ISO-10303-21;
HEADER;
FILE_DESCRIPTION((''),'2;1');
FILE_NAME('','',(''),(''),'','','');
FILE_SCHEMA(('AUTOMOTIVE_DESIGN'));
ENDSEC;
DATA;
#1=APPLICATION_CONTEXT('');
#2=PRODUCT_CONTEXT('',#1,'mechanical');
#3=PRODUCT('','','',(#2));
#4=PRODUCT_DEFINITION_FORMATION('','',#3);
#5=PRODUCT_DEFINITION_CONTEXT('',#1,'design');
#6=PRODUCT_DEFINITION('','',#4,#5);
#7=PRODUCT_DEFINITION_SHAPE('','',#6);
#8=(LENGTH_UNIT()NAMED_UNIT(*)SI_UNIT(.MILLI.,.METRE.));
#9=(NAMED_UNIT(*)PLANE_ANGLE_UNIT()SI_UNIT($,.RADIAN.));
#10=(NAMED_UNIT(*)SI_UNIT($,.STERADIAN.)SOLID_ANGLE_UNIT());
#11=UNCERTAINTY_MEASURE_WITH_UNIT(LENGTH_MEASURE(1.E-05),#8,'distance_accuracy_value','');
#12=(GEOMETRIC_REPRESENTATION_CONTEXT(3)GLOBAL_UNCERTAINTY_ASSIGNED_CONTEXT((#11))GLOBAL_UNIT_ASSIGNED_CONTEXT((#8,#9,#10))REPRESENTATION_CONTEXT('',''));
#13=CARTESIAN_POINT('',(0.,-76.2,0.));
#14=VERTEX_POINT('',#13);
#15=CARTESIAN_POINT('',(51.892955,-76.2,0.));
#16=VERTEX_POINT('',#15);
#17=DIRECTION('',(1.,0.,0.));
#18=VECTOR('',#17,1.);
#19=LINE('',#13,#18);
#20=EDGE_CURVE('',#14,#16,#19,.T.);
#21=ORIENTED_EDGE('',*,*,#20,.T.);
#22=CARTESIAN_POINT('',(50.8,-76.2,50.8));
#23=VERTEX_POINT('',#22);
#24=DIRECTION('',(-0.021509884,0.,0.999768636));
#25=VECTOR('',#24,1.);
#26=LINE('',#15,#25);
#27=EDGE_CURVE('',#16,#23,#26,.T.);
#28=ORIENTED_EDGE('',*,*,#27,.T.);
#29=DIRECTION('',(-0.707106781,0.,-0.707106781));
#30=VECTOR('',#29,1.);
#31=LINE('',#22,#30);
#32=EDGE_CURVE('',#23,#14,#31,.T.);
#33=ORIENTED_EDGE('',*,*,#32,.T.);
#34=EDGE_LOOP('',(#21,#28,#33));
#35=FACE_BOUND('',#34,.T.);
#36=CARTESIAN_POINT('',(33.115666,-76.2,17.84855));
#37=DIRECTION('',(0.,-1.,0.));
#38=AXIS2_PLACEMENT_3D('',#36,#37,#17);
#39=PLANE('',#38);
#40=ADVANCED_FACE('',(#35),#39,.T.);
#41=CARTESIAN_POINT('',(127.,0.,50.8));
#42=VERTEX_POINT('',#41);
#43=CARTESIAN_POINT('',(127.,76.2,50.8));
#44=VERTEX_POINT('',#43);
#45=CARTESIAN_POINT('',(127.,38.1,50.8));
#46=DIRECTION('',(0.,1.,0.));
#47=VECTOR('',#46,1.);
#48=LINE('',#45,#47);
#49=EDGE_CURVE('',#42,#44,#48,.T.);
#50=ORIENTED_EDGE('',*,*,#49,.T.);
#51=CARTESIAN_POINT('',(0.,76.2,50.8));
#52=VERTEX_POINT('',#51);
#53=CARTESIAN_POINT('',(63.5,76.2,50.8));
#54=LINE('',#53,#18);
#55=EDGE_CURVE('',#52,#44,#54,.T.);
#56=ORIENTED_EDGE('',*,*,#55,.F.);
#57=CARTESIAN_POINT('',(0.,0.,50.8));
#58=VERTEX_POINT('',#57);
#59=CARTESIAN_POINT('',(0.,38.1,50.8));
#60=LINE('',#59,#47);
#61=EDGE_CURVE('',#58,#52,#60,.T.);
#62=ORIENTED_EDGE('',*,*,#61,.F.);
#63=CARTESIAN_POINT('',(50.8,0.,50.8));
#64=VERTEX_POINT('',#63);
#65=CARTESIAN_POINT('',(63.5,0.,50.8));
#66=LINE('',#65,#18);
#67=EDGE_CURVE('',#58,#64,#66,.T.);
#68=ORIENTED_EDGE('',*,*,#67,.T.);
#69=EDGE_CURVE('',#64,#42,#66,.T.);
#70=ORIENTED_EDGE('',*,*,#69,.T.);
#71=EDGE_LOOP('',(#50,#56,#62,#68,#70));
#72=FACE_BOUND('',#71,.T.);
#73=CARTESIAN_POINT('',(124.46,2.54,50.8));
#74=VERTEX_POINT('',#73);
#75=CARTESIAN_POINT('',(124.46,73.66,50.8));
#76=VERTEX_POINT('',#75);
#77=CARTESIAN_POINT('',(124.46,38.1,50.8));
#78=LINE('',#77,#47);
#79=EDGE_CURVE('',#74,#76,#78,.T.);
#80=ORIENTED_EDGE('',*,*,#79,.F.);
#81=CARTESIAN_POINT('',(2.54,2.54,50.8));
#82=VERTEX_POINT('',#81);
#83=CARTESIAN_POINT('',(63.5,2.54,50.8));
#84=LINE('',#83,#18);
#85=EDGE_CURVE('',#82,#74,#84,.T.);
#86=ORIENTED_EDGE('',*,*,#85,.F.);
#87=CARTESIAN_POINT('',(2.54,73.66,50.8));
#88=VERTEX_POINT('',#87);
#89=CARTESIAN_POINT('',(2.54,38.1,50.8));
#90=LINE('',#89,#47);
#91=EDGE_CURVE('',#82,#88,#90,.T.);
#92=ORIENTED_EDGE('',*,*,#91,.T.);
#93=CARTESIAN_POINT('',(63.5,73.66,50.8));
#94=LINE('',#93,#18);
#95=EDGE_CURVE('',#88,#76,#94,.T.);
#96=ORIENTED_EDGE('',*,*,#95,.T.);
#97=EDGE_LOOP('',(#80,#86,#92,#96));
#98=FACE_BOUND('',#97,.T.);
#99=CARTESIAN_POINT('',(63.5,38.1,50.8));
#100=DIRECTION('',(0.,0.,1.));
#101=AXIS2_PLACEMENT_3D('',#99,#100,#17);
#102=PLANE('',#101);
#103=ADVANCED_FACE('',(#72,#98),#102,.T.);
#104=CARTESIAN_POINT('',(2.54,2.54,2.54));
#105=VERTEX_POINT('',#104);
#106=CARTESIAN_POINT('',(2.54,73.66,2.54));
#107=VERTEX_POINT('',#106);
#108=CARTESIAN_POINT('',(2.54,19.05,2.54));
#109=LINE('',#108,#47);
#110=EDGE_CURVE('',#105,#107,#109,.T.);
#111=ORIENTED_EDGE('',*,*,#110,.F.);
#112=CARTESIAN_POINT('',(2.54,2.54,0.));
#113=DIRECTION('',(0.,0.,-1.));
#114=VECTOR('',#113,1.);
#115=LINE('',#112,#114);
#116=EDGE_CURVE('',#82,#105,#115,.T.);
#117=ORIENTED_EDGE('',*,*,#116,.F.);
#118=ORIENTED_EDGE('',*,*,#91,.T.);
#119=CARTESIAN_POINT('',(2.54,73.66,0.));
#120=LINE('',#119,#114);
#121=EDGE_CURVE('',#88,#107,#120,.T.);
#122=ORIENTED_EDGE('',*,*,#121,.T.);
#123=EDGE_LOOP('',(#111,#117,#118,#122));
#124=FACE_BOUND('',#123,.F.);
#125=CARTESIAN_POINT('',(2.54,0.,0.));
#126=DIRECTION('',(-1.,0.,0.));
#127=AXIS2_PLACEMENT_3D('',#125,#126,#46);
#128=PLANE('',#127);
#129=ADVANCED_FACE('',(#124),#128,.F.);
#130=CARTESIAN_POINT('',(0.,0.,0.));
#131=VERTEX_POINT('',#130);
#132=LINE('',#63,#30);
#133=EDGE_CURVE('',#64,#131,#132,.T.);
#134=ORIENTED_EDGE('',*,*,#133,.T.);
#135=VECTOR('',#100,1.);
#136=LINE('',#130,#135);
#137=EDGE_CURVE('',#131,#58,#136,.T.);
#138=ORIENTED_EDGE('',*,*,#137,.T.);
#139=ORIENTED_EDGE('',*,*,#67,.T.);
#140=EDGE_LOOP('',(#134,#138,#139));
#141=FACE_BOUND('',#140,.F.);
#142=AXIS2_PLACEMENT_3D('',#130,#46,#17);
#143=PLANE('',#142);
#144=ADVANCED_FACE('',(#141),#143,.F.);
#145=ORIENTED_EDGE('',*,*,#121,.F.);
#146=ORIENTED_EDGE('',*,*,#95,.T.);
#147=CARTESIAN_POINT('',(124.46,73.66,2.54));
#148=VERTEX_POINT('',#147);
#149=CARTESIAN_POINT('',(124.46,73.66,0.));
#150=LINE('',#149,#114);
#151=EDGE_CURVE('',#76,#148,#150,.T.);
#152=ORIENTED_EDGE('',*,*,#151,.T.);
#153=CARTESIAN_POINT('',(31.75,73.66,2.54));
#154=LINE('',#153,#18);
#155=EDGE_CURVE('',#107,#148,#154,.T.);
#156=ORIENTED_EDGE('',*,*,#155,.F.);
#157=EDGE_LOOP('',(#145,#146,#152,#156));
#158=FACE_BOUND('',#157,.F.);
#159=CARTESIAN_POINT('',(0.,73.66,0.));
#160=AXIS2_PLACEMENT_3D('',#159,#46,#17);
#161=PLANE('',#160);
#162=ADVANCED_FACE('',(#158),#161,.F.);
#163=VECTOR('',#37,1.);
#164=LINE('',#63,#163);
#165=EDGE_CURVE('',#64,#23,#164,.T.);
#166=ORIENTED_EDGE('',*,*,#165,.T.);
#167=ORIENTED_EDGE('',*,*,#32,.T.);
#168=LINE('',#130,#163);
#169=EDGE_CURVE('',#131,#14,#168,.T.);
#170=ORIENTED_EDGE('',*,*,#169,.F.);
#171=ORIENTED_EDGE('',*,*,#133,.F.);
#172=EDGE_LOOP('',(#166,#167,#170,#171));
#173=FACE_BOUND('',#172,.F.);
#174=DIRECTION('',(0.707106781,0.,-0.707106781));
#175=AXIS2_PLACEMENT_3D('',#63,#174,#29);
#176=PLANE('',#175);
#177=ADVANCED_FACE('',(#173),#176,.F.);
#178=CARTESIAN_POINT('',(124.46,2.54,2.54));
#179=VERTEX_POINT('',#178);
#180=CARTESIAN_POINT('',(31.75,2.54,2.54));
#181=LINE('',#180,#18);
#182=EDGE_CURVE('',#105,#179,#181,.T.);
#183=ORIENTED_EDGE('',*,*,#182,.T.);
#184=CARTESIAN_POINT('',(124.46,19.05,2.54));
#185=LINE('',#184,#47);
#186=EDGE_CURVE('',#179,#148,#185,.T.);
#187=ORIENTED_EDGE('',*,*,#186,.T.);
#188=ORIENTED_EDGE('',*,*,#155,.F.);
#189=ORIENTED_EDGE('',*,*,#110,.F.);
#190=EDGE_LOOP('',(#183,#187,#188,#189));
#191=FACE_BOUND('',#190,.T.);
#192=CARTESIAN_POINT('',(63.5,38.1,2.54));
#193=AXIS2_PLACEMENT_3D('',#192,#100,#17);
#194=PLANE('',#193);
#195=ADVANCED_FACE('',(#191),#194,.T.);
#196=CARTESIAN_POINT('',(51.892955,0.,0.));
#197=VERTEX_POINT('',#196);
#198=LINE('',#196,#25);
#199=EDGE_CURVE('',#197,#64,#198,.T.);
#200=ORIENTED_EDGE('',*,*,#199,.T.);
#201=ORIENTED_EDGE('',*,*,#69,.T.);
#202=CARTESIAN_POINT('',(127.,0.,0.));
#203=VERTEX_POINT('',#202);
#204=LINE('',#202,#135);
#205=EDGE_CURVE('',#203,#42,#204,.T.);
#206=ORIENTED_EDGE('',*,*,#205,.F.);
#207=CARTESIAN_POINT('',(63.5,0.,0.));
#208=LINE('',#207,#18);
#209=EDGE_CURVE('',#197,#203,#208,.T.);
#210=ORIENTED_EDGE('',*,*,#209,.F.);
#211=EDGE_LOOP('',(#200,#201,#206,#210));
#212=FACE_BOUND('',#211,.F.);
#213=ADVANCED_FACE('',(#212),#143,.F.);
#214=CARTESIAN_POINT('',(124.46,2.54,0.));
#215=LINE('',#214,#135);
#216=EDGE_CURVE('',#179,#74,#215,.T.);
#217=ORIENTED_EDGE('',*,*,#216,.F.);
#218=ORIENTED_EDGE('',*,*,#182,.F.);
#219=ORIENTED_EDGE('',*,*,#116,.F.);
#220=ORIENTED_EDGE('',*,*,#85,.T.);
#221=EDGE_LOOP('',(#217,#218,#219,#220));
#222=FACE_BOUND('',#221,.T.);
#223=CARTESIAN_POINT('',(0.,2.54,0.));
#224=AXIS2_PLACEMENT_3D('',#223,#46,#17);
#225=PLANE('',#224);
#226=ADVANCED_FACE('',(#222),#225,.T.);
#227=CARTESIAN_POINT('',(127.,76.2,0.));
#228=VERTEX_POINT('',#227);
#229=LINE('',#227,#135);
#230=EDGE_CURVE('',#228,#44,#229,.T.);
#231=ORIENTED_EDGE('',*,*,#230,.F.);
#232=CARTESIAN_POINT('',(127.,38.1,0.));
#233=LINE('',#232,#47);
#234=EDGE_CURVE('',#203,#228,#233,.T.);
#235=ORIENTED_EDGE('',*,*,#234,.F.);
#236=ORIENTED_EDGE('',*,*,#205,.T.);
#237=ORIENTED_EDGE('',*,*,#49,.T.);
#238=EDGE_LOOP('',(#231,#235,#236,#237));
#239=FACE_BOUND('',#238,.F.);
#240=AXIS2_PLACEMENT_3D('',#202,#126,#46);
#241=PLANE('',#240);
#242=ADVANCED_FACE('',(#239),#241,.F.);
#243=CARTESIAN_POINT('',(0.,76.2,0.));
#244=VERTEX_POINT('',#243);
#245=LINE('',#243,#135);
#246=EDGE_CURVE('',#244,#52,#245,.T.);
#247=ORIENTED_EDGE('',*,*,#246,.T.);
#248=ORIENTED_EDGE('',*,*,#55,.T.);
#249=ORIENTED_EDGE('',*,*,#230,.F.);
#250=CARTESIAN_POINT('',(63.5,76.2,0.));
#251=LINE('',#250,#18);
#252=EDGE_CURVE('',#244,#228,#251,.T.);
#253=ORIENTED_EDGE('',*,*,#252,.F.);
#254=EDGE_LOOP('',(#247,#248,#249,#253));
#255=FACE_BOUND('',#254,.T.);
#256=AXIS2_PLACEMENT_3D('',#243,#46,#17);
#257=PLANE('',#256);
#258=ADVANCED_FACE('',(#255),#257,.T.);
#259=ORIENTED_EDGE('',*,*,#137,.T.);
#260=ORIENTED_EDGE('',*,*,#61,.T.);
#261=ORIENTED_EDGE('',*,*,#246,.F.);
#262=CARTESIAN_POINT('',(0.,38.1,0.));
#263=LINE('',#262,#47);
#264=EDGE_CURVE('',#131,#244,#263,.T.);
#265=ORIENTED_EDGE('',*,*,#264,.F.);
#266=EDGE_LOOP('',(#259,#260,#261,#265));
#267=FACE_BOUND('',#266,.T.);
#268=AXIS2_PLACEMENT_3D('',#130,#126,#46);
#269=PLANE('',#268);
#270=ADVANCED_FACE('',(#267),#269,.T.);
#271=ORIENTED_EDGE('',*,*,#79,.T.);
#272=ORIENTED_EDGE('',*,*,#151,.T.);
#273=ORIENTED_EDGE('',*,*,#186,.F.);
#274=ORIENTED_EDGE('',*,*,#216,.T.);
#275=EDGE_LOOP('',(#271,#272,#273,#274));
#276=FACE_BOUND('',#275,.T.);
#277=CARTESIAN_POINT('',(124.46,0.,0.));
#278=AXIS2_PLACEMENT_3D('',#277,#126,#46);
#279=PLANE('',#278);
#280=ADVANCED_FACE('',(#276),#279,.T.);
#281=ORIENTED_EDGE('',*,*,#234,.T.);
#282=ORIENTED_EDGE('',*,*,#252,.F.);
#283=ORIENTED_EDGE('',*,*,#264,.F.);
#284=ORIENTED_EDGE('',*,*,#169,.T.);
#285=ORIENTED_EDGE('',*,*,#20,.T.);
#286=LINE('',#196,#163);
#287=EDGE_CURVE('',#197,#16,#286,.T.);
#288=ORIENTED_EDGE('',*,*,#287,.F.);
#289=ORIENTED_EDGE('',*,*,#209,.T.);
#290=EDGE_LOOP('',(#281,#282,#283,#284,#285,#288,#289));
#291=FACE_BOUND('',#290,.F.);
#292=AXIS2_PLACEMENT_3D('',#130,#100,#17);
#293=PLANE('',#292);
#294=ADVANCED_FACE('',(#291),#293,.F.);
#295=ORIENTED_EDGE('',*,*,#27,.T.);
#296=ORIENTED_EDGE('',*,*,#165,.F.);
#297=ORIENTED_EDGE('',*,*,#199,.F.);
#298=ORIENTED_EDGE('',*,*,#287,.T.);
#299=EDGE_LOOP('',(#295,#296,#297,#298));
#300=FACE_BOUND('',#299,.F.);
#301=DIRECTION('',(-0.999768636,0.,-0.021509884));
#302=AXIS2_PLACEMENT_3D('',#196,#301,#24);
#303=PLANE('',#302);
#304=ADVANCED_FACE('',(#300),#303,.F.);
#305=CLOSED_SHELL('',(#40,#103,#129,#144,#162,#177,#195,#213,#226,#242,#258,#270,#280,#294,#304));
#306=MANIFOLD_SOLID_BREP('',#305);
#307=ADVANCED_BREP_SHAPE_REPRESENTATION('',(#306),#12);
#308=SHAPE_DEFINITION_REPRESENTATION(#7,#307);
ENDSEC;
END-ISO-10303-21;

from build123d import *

# Parameters (mm, degrees)
F0_W     = 127
F0_H     = 76.2
F1_DEPTH = 50.8
F2_T     = -2.54
F4_DEPTH = 76.2


with BuildPart() as f1:
    # F0 (on Top) → F1 (new body)
    with BuildSketch(Plane.XY):
        with Locations((63.5, 38.1)):
            Rectangle(F0_W, F0_H)
    extrude(amount=F1_DEPTH)

    # F2
    f2_openings = [f1.faces().sort_by_distance(p)[0] for p in [
        (63.5, 38.1, 50.8),
    ]]
    offset(amount=F2_T, openings=f2_openings)

    # F3 (on face) → F4 (join)
    with BuildSketch(Plane.XZ):
        Polygon((50.8, 50.8), (0, 0), (51.892955, 0), align=None)
    extrude(amount=F4_DEPTH)


solid = f1.part
